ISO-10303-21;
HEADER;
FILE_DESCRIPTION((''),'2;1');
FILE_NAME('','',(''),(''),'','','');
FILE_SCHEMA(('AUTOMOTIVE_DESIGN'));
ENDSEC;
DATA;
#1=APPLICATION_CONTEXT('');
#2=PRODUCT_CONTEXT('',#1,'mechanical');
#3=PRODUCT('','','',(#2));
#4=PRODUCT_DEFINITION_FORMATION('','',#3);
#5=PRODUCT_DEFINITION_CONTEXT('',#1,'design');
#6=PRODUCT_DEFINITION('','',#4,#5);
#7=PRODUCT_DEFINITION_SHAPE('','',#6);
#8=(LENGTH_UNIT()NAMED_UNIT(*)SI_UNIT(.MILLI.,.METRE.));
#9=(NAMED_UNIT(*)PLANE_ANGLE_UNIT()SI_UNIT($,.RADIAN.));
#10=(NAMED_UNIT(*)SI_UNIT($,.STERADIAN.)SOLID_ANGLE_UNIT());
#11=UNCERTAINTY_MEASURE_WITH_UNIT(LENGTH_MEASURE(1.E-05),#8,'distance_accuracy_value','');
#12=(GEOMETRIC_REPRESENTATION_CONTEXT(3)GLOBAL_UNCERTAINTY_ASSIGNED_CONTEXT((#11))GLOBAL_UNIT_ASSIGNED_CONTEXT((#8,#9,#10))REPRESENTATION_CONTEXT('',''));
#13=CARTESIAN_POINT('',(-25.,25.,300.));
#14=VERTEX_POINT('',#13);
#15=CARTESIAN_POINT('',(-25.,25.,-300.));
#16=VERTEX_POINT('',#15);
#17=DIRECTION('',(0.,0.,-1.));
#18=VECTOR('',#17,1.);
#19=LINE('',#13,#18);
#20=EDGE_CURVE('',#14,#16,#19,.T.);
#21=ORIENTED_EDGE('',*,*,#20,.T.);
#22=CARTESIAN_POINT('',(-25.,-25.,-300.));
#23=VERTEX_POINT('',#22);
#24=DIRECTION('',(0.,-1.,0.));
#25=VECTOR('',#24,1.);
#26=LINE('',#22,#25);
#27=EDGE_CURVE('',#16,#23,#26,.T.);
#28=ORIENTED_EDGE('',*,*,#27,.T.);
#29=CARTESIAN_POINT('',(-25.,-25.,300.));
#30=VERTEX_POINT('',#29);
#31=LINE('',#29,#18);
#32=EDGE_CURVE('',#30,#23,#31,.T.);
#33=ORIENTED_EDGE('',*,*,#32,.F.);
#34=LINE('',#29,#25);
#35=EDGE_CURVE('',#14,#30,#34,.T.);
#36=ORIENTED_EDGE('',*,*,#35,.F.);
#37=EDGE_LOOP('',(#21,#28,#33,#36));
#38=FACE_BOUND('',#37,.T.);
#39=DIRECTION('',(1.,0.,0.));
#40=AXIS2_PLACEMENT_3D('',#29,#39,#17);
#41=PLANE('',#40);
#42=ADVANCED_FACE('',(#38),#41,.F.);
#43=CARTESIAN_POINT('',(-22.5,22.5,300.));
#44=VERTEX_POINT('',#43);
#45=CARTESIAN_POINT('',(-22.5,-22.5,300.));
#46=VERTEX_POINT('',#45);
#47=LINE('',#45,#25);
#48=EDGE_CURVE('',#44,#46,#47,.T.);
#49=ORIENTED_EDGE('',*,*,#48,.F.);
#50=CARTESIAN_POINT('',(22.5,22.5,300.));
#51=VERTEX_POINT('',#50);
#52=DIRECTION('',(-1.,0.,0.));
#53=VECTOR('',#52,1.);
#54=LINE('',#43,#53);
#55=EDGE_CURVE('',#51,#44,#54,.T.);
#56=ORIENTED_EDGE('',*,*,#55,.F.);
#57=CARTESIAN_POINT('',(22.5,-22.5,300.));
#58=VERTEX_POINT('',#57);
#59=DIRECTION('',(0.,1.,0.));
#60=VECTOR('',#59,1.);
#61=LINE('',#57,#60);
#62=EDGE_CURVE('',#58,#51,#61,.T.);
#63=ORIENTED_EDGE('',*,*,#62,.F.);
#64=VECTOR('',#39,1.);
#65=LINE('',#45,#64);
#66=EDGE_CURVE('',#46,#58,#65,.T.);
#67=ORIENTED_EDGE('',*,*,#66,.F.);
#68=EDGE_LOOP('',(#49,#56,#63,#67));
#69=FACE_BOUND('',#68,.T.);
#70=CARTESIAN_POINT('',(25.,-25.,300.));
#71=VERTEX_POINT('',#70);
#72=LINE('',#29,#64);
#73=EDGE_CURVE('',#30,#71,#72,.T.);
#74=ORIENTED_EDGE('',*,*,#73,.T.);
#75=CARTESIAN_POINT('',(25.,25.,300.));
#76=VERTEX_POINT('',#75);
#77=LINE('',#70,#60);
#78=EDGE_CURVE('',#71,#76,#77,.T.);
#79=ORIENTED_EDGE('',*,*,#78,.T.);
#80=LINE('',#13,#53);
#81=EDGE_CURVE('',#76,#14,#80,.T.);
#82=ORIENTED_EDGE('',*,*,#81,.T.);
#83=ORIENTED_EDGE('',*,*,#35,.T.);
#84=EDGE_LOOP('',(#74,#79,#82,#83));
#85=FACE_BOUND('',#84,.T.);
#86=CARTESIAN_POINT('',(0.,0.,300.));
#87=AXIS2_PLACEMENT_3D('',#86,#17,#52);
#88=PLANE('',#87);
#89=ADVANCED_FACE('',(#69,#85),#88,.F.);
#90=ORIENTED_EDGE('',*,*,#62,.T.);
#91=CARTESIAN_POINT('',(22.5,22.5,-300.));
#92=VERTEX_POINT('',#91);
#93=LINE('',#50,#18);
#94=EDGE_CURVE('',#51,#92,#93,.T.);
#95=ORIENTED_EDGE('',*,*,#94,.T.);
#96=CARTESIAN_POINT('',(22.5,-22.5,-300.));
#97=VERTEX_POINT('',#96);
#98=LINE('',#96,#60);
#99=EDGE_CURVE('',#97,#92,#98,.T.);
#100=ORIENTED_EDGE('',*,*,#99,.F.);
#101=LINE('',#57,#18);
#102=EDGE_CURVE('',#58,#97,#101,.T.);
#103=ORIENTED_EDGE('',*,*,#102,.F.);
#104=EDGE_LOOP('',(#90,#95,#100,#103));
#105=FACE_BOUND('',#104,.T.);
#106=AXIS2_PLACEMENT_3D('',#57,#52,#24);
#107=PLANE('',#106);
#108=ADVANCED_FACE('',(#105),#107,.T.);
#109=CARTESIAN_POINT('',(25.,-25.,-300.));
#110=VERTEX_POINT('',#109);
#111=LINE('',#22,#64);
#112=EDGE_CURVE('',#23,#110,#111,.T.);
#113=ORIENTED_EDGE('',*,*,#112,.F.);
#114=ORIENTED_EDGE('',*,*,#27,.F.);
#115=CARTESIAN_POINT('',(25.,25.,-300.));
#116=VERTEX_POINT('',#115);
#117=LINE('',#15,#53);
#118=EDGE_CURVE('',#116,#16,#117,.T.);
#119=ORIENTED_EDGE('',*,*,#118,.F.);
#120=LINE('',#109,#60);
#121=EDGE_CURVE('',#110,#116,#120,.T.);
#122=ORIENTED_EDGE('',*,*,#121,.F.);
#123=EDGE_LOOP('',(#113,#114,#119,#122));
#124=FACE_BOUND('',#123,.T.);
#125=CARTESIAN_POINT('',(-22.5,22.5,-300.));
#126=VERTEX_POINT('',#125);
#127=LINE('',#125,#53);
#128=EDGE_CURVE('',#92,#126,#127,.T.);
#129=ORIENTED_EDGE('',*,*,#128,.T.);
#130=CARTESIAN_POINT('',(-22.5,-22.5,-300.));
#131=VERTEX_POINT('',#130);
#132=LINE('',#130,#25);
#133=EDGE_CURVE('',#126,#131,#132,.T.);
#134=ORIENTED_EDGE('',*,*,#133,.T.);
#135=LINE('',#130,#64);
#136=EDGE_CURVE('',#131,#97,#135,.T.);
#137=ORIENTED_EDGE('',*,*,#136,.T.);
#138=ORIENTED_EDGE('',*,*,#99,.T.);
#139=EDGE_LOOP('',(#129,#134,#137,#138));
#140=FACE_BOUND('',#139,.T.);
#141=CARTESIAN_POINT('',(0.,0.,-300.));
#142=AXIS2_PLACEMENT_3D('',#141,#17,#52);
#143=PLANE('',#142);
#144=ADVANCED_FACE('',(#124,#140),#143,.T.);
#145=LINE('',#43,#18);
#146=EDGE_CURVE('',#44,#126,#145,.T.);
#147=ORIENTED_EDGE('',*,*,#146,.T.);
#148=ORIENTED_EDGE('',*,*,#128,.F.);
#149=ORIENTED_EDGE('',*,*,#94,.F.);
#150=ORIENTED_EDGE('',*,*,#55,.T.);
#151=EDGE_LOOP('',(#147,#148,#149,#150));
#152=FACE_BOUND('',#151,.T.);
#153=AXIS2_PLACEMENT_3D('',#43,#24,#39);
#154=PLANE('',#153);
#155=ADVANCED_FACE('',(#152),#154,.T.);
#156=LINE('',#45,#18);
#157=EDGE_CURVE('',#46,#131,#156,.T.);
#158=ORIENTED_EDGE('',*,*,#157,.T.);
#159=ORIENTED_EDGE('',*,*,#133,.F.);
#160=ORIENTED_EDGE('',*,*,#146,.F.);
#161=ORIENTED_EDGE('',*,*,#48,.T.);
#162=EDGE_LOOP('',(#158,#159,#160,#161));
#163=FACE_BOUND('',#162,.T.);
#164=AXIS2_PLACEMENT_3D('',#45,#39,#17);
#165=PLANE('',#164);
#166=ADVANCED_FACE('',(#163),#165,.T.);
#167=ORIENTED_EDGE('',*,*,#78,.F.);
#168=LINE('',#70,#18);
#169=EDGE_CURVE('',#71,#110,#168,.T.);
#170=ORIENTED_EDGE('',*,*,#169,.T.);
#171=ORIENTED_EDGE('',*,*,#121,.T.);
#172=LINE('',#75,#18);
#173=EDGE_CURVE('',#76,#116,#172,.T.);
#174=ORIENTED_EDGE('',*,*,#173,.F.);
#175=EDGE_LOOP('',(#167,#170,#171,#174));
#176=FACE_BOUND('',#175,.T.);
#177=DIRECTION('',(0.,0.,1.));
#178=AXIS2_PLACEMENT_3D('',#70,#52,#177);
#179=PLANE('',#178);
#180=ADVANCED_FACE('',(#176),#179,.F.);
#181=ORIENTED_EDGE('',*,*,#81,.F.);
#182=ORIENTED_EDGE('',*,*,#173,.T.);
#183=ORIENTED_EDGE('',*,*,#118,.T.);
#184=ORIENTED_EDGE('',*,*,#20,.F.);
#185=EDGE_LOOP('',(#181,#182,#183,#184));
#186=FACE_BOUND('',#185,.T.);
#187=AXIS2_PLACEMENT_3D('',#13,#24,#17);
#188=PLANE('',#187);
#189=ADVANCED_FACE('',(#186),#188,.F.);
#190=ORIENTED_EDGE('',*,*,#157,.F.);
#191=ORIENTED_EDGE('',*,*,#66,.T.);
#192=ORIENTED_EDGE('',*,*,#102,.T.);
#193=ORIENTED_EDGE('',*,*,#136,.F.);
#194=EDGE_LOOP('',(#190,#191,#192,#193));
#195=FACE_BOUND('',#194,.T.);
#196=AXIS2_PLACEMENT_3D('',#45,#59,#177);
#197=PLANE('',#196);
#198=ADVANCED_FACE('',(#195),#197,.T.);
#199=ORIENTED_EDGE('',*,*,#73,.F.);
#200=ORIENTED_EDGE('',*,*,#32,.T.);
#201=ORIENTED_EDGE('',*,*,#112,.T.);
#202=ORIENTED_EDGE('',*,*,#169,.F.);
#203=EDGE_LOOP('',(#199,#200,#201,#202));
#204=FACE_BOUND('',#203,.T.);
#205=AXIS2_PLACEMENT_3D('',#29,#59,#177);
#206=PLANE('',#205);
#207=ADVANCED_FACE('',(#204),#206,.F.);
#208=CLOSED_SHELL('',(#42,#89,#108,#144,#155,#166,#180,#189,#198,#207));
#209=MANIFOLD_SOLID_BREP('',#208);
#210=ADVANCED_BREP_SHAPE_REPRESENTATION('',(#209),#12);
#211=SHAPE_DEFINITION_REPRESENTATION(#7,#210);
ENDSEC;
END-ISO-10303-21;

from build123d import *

# Parameters (mm, degrees)
CROQUIS1_W              = 50
CROQUIS1_H              = 50
CROQUIS1_W_2            = 45
CROQUIS1_H_2            = 45
SALIENTE_EXTRUIR1_DEPTH = 300


with BuildPart() as part:
    # Croquis1 → Saliente-Extruir1 (new, symmetric)
    with BuildSketch(Plane.XY):
        Rectangle(CROQUIS1_W, CROQUIS1_H)
        Rectangle(CROQUIS1_W_2, CROQUIS1_H_2, mode=Mode.SUBTRACT)
    extrude(amount=SALIENTE_EXTRUIR1_DEPTH, both=True)


solid = part.part
